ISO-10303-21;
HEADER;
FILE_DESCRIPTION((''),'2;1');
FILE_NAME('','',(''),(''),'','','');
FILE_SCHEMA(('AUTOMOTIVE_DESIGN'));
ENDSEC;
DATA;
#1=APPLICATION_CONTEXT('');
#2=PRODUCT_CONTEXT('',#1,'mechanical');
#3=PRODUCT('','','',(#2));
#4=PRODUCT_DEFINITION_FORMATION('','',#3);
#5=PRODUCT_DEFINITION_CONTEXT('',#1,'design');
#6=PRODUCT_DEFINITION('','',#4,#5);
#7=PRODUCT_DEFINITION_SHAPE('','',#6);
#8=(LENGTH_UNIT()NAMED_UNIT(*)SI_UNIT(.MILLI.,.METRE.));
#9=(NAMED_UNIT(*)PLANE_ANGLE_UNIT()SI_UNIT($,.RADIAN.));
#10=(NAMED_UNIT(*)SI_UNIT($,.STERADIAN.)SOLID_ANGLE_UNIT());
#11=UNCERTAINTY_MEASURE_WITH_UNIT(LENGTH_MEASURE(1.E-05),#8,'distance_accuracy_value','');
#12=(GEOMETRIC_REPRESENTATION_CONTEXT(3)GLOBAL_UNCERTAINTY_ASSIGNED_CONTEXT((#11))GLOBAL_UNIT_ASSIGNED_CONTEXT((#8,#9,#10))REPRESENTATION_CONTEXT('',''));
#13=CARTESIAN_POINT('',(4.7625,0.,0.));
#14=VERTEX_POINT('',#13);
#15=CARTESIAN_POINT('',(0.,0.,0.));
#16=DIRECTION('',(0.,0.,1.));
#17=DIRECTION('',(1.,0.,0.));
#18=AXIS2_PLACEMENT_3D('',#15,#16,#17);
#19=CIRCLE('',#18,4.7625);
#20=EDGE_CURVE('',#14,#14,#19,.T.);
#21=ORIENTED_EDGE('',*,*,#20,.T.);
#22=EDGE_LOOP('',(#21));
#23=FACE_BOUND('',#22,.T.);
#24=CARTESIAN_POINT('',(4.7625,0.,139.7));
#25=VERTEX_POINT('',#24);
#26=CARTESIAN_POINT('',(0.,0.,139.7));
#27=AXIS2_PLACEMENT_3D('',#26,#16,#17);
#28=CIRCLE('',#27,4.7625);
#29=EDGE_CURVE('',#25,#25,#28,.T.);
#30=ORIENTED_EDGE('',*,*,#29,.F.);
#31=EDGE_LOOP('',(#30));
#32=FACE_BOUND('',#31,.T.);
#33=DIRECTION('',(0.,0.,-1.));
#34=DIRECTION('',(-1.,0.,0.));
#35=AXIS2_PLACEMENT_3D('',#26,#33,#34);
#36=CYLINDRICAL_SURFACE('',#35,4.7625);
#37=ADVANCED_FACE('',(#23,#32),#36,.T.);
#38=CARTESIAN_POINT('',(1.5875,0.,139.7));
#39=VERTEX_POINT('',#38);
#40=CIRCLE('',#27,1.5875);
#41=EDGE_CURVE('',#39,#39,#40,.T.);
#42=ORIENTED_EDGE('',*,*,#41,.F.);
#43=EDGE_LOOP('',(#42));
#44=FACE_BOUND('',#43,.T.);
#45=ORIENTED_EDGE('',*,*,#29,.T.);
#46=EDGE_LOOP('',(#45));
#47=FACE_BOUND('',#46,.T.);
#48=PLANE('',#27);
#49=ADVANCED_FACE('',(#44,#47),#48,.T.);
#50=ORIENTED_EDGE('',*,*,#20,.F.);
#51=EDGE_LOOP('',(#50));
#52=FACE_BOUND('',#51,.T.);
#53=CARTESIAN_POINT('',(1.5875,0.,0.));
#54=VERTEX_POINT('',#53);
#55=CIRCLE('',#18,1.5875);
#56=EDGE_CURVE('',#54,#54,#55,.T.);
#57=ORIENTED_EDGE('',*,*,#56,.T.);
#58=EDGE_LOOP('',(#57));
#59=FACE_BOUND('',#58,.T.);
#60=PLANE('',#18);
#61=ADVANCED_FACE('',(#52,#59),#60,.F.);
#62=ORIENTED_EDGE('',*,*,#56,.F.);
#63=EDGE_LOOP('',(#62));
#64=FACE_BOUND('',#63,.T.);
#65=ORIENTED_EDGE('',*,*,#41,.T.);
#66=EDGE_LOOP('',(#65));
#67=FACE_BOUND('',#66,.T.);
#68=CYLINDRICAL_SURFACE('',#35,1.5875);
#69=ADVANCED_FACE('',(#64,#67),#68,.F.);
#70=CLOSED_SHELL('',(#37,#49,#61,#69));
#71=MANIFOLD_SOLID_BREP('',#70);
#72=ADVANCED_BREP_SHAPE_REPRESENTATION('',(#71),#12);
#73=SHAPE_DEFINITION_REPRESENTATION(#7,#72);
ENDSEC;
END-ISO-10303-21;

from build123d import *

# Parameters (mm, degrees)
SKETCH1_R           = 4.7625
SKETCH1_R_2         = 1.5875
BOSS_EXTRUDE1_DEPTH = 139.7


with BuildPart() as part:
    # Sketch1 → Boss-Extrude1 (new body)
    with BuildSketch(Plane.XY):
        Circle(SKETCH1_R)
        Circle(SKETCH1_R_2, mode=Mode.SUBTRACT)
    extrude(amount=BOSS_EXTRUDE1_DEPTH)


solid = part.part
